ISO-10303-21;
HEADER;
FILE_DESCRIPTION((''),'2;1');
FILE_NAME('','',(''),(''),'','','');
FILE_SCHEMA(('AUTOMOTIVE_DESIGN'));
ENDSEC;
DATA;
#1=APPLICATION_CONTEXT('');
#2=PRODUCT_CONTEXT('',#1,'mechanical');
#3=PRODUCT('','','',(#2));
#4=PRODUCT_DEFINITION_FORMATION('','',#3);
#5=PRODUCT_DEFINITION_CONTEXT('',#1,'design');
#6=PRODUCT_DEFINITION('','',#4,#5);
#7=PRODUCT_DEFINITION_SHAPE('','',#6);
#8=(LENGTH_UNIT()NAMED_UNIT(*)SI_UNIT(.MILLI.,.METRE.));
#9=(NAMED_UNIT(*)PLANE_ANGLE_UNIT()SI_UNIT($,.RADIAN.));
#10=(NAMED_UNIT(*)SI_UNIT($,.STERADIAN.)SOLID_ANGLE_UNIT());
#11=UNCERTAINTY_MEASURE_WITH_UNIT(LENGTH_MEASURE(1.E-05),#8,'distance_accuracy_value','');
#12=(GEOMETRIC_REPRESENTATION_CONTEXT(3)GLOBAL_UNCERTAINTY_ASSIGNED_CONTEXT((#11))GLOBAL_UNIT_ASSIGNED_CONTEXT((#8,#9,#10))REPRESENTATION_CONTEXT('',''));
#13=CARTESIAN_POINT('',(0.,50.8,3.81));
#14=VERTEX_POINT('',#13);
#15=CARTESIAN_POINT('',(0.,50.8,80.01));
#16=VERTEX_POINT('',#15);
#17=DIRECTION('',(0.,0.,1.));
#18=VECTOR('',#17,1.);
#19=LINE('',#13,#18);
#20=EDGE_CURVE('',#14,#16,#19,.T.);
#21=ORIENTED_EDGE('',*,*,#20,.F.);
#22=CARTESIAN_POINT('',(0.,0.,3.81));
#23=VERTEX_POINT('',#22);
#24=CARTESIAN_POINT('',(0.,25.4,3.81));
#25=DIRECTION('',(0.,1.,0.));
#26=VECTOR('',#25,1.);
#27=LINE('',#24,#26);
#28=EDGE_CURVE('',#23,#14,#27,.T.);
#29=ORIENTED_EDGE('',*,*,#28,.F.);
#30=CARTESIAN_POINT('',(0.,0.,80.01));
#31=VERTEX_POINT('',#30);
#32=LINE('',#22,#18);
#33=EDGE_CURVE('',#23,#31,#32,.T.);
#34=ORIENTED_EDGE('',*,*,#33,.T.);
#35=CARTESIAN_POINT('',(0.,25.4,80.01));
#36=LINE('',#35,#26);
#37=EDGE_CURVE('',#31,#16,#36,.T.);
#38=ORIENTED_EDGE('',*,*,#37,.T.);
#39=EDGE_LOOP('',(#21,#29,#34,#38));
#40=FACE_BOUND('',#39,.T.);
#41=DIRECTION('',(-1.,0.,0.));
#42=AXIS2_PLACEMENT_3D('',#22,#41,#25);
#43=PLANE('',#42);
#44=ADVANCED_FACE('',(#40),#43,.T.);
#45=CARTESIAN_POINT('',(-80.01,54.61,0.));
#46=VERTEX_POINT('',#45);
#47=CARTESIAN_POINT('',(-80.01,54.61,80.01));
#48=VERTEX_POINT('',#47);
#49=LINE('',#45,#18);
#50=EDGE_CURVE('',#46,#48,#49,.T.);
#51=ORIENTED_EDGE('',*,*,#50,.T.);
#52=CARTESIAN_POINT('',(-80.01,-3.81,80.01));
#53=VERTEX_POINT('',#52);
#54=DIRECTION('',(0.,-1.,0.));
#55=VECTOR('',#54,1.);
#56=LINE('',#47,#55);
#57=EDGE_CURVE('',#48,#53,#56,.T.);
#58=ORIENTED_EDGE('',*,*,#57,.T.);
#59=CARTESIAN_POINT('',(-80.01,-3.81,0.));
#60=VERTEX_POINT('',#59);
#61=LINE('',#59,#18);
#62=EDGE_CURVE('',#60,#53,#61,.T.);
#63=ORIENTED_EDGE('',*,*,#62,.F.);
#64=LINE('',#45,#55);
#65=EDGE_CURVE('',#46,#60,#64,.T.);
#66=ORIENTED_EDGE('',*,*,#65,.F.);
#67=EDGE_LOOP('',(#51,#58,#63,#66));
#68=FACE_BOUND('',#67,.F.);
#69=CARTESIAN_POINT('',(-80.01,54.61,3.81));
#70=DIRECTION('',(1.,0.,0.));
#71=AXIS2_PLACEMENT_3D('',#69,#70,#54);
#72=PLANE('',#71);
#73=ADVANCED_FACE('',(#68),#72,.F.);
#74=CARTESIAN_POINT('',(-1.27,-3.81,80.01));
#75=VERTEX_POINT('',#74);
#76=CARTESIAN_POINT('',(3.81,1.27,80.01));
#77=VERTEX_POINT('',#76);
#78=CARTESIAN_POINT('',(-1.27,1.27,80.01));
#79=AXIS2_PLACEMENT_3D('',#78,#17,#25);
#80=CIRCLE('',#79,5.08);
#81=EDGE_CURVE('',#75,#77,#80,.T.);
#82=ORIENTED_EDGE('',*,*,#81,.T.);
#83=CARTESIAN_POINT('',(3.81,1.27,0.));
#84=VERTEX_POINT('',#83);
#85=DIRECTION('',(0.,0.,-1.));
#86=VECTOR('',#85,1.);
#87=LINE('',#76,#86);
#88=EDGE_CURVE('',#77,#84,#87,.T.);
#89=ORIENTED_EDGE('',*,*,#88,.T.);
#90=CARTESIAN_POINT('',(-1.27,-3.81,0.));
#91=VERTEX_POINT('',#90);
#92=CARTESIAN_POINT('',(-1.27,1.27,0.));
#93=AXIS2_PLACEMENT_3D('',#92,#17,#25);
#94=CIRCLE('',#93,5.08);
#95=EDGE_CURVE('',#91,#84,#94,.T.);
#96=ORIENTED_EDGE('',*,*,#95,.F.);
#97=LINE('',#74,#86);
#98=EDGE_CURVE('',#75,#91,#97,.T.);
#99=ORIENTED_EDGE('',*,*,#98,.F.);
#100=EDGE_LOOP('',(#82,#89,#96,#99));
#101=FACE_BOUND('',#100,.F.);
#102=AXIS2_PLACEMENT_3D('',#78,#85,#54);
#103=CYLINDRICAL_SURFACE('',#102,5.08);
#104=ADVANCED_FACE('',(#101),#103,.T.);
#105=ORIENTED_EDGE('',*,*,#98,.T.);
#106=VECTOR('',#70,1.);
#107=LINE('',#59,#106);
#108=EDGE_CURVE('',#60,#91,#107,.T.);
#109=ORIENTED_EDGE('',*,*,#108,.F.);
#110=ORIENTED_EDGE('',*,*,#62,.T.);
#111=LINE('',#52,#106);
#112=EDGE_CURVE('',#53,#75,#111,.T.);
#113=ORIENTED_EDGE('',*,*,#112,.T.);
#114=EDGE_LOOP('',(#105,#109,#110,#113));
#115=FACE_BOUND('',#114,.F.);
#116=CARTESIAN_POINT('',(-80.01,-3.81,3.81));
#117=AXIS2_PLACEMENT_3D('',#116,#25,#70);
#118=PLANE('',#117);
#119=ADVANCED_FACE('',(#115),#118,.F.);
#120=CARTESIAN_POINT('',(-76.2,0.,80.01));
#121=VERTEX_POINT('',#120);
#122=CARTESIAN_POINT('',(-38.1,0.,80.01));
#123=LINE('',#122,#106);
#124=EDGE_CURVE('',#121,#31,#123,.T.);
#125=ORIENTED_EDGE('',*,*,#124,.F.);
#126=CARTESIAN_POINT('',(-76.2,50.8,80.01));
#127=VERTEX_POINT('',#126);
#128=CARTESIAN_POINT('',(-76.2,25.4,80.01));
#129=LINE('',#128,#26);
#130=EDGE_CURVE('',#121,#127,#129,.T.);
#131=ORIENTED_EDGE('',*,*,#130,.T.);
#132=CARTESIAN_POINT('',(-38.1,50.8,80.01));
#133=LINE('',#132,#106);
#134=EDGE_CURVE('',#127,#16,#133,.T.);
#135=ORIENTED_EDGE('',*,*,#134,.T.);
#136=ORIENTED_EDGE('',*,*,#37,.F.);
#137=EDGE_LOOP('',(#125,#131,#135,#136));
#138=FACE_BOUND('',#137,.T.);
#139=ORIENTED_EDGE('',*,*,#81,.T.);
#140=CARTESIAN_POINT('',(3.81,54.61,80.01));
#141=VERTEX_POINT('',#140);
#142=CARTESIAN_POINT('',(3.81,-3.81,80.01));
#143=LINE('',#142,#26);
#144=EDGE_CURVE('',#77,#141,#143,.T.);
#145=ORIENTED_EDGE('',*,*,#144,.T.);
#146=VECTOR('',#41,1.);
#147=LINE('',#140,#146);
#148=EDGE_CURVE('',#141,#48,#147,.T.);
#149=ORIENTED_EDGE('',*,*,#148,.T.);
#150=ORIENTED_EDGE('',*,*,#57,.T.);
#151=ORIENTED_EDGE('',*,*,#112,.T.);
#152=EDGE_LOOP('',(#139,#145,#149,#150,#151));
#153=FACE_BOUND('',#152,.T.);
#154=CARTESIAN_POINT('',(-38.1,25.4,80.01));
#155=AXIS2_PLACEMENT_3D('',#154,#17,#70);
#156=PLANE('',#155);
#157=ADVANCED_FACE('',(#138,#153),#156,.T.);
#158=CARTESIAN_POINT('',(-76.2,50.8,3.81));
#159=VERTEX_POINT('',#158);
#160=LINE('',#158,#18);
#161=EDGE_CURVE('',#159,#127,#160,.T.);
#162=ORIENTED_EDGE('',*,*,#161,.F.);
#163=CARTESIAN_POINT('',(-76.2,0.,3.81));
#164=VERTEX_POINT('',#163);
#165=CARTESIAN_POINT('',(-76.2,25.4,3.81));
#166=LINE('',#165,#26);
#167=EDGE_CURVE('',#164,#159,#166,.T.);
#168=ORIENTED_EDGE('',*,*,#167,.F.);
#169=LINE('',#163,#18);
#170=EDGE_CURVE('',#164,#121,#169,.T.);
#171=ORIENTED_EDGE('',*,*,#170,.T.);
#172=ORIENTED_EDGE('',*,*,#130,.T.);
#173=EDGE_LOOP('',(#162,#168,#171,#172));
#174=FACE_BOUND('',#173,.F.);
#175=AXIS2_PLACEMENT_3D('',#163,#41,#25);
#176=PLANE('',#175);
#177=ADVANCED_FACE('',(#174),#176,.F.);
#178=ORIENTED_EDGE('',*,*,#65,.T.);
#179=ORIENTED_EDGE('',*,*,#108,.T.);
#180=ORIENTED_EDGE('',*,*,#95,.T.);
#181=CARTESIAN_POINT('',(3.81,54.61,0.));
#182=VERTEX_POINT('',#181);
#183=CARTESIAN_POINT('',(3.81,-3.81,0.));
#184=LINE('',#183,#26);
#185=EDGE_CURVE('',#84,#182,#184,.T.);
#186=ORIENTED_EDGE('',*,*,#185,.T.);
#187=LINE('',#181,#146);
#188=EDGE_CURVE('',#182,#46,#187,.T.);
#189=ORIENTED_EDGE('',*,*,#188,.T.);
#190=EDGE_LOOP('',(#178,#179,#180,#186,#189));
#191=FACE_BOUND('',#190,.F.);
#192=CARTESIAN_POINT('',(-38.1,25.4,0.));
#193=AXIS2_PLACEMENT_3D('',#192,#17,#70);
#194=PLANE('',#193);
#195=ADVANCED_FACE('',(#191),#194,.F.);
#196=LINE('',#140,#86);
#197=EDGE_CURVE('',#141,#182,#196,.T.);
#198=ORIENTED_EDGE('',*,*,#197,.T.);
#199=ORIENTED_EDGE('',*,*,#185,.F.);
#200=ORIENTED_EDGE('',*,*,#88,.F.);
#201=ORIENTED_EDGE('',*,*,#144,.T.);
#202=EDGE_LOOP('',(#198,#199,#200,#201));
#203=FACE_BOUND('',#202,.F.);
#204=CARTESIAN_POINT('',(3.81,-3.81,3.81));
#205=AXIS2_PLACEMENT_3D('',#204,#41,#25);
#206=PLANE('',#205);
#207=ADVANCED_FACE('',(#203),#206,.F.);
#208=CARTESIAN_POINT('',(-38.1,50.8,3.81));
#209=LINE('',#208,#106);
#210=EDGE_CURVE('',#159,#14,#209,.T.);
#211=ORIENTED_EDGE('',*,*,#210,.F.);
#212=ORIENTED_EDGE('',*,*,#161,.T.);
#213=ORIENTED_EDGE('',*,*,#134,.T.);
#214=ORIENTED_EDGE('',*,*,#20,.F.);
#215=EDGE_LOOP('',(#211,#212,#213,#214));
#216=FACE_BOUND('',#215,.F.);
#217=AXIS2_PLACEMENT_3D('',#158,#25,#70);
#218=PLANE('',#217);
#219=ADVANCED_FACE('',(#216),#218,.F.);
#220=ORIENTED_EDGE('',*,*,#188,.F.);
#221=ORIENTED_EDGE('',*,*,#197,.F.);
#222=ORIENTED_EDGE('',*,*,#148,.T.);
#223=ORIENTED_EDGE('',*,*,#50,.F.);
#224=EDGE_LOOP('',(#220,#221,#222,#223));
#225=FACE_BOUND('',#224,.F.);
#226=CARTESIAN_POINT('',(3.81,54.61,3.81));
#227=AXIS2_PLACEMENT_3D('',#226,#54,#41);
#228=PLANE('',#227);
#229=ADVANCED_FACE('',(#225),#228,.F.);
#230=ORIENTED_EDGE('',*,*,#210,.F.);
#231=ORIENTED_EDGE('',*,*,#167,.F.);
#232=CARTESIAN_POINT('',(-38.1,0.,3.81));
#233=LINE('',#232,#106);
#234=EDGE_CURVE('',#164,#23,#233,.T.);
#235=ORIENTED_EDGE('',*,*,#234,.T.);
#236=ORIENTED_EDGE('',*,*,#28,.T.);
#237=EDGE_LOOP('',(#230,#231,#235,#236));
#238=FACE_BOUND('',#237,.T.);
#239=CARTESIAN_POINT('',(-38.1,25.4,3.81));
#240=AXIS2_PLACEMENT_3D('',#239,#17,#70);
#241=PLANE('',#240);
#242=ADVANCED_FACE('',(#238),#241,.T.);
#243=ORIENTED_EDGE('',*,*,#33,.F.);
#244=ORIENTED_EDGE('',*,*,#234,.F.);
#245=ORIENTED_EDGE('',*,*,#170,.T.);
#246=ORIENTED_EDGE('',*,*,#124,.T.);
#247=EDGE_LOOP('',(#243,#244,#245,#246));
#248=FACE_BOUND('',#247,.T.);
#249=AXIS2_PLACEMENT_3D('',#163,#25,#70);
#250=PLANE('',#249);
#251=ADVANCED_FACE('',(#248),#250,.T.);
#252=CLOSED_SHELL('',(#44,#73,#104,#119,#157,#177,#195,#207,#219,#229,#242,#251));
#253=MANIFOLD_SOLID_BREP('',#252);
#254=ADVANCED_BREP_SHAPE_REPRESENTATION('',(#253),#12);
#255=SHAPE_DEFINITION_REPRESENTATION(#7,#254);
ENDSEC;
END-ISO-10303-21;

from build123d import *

# Parameters (mm, degrees)
F1_DEPTH = 3.81
F2_W     = 76.2
F2_H     = 50.8
F3_DEPTH = 76.2
F4_R     = 5.08


with BuildPart() as f1:
    # F0 (on Top) → F1 (new body)
    with BuildSketch(Plane.XY):
        Polygon((-80.01, 54.61), (-80.01, 50.8), (-80.01, -3.81), (0, -3.81), (3.81, -3.81), (3.81, 0), (3.81, 54.61), (-76.2, 54.61), align=None)
    extrude(amount=F1_DEPTH)

    # F2 (on face) → F3 (join)
    with BuildSketch(Plane.XY.offset(3.81)):
        Polygon((3.81, 54.61), (-76.2, 54.61), (-80.01, 54.61), (-80.01, 50.8), (-80.01, -3.81), (0, -3.81), (3.81, -3.81), (3.81, 0), align=None)
        with Locations((-38.1, 25.4)):
            Rectangle(F2_W, F2_H, mode=Mode.SUBTRACT)
    extrude(amount=F3_DEPTH)

    # F4
    f4_edges = [f1.edges().sort_by_distance(p)[0] for p in [
        (3.81, -3.81, 40.005),
    ]]
    fillet(f4_edges, radius=F4_R)


solid = f1.part
